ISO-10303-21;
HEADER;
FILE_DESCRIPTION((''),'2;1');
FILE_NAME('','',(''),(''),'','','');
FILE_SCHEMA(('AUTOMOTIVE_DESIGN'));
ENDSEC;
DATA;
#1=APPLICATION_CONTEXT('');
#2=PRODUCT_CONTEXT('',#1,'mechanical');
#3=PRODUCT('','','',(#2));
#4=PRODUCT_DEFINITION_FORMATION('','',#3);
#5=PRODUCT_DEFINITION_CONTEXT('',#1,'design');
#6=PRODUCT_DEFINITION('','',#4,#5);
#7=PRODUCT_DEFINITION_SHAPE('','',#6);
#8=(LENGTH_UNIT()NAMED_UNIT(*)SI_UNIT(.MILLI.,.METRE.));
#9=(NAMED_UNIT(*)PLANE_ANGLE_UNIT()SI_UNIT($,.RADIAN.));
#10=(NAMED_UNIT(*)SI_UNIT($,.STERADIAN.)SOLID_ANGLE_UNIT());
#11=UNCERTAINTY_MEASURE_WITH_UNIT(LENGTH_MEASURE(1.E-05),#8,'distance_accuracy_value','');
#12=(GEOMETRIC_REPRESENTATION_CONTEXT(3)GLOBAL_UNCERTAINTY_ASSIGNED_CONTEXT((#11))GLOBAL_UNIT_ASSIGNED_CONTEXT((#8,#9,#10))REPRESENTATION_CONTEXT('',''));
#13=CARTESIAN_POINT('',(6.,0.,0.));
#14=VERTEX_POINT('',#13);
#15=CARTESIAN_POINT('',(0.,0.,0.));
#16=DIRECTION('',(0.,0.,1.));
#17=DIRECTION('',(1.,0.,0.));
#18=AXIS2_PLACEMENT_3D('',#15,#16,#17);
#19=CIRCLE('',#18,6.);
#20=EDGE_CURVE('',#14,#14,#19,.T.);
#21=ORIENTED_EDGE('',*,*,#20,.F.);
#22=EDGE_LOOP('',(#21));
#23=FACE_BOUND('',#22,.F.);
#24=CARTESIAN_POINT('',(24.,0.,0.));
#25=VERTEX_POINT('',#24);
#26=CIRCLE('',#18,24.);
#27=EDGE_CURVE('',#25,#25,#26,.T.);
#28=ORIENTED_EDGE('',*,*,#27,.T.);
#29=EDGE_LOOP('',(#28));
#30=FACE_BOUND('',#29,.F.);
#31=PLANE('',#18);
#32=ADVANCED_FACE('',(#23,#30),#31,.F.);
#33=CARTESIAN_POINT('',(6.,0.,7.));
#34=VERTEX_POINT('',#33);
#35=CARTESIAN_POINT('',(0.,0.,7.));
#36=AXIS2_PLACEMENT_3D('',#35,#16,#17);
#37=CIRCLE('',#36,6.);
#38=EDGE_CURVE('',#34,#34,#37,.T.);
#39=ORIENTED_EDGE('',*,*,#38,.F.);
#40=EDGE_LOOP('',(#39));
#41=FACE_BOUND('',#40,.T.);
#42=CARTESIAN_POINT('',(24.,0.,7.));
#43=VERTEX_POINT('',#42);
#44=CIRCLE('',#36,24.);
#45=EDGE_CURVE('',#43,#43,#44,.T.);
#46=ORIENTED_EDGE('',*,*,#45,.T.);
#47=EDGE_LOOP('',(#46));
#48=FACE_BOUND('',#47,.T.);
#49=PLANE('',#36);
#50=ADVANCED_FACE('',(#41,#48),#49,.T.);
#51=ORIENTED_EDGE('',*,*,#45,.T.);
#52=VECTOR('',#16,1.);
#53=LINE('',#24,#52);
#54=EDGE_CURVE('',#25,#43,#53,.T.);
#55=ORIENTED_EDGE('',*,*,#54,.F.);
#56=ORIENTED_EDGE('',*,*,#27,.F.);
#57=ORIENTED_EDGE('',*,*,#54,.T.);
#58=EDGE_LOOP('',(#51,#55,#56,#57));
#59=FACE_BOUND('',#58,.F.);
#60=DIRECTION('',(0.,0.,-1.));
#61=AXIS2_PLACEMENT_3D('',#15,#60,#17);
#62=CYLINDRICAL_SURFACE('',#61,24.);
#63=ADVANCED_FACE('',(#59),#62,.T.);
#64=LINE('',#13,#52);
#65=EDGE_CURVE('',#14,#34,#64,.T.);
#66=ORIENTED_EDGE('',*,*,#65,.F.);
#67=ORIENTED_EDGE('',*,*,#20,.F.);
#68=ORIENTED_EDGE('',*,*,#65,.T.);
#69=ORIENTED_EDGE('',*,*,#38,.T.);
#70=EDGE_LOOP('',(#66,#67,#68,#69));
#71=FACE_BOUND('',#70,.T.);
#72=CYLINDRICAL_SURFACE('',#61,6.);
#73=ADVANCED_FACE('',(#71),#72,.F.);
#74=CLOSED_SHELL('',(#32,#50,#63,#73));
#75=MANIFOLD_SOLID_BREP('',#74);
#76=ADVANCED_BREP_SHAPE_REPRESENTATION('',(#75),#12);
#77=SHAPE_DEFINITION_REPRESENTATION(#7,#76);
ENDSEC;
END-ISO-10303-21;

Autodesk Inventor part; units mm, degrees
ref_plane "YZ Plane" through (0, 0, 0) normal (1, 0, 0) x (0, 1, 0)
ref_plane "XZ Plane" through (0, 0, 0) normal (0, 1, 0) x (-1, 0, 0)
ref_plane "XY Plane" through (0, 0, 0) normal (0, 0, 1) x (1, 0, 0)
sketch "スケッチ1" plane through (0, 0, 0) normal (0, 0, 1) x (1, 0, 0)
  circle A0 centre (0, 0) radius 6
  circle A1 centre (0, 0) radius 24
  dimension "d0" = 12
  dimension "d1" = 48
extrude "押し出し1" add sketch "スケッチ1" along normal blind 7
properties part number "Gear1"
